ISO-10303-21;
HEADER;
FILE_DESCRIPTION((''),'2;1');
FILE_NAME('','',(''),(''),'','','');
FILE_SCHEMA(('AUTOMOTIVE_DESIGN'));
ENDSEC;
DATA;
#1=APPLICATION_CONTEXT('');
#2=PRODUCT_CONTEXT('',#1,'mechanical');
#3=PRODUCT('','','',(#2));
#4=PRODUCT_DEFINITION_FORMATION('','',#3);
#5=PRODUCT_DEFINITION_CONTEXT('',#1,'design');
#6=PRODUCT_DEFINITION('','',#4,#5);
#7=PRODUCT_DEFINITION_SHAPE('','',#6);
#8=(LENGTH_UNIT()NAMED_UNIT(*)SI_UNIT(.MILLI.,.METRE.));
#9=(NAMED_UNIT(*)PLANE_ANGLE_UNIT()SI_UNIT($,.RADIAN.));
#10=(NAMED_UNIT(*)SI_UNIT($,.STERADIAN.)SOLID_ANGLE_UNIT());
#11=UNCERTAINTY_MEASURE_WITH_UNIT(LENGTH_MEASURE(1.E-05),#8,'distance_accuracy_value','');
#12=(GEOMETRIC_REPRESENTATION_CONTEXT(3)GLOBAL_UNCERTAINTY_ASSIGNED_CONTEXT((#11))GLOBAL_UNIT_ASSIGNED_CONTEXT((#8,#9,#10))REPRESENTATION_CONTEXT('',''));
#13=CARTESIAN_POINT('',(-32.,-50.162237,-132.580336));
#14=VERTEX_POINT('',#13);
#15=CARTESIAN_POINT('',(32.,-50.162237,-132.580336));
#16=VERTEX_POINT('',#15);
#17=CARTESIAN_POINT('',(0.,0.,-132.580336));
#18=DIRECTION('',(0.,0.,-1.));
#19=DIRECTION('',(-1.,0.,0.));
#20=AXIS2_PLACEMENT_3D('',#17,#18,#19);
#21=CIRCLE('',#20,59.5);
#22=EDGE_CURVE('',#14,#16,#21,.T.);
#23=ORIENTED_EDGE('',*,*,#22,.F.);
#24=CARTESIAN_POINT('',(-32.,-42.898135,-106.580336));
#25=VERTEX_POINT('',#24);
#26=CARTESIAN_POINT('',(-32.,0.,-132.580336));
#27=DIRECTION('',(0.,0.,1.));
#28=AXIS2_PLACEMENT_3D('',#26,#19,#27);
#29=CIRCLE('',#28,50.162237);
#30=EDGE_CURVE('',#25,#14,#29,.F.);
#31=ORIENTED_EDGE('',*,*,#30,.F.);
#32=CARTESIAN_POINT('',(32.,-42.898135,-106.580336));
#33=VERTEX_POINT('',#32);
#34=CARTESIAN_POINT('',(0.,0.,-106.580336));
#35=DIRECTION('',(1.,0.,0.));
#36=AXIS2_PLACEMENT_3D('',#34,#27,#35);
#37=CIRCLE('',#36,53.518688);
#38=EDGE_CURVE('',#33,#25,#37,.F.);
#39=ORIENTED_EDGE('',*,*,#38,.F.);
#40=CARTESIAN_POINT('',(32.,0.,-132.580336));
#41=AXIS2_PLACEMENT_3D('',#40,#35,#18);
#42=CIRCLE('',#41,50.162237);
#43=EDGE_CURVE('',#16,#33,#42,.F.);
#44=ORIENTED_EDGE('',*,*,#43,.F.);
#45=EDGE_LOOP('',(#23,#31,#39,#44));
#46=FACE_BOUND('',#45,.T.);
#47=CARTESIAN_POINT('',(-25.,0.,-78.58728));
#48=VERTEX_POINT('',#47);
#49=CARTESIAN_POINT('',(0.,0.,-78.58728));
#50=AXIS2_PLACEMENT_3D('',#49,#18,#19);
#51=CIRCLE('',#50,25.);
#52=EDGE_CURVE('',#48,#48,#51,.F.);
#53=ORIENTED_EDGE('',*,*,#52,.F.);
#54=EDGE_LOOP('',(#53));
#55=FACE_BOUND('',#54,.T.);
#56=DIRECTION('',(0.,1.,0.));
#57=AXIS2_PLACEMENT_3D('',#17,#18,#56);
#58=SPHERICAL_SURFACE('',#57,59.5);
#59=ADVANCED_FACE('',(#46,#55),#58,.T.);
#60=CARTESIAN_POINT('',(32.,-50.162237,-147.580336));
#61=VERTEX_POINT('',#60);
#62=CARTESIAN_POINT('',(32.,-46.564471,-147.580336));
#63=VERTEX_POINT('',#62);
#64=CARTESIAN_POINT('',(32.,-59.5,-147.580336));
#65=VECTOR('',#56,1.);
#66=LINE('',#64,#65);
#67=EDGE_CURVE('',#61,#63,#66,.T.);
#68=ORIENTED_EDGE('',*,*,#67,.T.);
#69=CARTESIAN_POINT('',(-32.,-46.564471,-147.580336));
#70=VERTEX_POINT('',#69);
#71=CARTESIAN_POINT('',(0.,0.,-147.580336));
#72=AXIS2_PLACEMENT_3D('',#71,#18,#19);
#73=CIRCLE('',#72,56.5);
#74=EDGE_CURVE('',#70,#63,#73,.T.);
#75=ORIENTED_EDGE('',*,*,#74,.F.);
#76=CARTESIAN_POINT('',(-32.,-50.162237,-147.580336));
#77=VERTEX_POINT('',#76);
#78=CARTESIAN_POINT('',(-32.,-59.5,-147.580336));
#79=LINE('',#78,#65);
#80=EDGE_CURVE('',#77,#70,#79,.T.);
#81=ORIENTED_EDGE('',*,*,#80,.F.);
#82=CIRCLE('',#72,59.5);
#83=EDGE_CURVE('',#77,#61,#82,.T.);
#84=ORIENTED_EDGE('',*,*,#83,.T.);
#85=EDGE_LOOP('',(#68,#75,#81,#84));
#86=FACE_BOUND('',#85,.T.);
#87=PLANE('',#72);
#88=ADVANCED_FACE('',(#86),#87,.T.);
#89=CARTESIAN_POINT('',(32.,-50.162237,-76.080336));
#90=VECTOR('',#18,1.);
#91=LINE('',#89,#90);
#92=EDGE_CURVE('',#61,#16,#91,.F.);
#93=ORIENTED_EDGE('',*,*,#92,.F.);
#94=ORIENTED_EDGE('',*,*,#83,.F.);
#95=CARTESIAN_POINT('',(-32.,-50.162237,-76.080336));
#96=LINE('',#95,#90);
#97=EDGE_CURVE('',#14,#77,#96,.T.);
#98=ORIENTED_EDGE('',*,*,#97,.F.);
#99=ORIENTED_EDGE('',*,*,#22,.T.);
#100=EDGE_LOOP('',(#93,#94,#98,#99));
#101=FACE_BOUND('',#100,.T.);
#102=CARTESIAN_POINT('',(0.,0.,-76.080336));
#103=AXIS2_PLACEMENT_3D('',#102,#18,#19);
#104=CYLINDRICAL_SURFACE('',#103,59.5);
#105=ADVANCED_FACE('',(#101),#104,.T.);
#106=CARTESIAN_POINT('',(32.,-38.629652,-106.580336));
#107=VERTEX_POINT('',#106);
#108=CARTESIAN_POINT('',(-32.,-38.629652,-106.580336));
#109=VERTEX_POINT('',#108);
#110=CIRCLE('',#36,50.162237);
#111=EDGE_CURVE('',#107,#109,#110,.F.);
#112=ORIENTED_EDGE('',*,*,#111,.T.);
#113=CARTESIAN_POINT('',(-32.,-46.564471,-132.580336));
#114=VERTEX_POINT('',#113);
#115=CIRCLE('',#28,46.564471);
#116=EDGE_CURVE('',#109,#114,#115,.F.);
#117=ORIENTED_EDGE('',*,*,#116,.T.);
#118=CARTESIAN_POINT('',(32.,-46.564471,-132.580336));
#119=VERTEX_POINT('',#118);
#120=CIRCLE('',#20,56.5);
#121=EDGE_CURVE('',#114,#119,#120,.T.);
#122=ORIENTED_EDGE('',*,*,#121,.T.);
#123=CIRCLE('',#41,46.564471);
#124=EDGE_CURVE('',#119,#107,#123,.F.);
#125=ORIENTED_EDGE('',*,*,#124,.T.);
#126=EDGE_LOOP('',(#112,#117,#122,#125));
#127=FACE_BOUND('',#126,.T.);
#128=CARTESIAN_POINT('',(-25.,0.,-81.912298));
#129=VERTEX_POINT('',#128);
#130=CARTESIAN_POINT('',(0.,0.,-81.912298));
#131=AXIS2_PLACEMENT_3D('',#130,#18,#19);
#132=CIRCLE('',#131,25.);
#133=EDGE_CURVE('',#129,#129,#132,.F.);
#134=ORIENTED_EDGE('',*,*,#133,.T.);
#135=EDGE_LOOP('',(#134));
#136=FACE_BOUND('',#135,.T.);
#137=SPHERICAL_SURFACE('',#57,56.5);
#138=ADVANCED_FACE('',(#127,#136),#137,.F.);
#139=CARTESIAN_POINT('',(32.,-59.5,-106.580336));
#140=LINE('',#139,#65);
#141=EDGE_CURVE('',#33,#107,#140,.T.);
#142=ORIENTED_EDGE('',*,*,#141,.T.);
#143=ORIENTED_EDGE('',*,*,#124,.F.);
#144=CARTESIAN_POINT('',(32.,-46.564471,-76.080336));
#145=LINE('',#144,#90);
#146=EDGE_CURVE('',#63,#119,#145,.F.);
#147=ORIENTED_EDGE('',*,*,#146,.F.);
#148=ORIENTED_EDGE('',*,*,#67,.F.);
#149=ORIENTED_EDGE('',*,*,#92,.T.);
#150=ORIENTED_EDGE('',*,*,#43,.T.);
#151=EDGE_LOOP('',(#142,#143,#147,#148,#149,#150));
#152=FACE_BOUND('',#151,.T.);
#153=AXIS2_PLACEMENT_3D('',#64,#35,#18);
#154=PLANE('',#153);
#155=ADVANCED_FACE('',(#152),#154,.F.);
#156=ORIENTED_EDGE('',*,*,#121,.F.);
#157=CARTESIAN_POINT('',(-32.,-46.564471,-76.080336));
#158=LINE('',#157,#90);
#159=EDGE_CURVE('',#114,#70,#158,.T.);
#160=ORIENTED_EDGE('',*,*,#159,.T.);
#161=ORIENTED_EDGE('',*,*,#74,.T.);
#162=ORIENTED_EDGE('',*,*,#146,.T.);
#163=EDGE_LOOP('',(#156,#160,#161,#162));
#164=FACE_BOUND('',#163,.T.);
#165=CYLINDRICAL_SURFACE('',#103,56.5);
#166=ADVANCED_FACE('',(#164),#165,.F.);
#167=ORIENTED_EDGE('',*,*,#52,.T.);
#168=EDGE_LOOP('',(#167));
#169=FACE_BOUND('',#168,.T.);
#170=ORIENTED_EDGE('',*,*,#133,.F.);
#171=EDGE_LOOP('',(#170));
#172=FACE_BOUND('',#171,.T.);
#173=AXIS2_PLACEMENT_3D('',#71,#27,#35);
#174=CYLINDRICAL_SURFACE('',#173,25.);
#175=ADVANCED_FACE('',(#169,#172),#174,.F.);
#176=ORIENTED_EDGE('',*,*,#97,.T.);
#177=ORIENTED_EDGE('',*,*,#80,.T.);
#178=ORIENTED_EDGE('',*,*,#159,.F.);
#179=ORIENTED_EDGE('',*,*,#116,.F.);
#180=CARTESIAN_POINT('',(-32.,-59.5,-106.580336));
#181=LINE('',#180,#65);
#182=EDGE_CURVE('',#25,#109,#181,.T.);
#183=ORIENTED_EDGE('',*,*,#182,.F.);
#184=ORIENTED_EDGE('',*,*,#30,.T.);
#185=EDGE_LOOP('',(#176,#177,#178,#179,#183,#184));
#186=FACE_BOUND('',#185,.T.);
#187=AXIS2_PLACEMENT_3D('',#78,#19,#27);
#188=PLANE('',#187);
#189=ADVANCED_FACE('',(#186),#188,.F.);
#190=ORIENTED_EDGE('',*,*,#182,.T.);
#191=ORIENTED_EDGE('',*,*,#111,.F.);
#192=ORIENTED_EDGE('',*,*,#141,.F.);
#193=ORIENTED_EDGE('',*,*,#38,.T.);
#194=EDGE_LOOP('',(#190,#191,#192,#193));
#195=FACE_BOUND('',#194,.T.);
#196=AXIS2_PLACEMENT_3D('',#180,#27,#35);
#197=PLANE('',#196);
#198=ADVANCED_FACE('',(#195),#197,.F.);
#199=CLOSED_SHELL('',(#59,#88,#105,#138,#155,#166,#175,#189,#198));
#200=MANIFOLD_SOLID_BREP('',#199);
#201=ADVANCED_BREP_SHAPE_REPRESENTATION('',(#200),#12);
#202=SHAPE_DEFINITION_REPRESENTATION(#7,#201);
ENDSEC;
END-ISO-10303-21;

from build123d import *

# Parameters (mm, degrees)
SHELL1_T           = 3
SKETCH5_R          = 25
CUT_EXTRUDE3_DEPTH = 170.883652636
SKETCH6_W          = 64
SKETCH6_H          = 41
CUT_EXTRUDE4_DEPTH = 170.883652636


with BuildPart() as part:
    # Sketch2 → Revolve1 (revolve)
    with BuildSketch(Plane(origin=(0, 0, 0), x_dir=(0, 0, -1), z_dir=(1, 0, 0)), mode=Mode.PRIVATE) as revolve1_sk:
        with BuildLine():
            Line((76.080335522, 0), (147.580335522, 0))
            Line((147.580335522, 0), (147.580335522, 56.5))
            Line((147.580335522, 56.5), (132.580335522, 56.5))
            ThreePointArc((132.580335522, 56.5), (92.628802385, 39.951533137), (76.080335522, 0))
        make_face()
    revolve(revolve1_sk.sketch.rotate(Axis((0, 0, -76.080335522), (0, 0, 1)), 90), axis=Axis((0, 0, -76.080335522), (0, 0, 1)))

    # Shell1
    shell1_openings = [part.faces().sort_by_distance(p)[0] for p in [
        (0, 0, -147.580335522),
    ]]
    offset(amount=SHELL1_T, openings=shell1_openings, kind=Kind.INTERSECTION)

    # Sketch5 → Cut-Extrude3 (cut, through all)
    with BuildSketch(Plane.XY):
        with Locations(Location((0, 0, 0), (0, 0, 180))):
            Circle(SKETCH5_R)
    extrude(amount=-CUT_EXTRUDE3_DEPTH, mode=Mode.SUBTRACT)

    # Sketch6 → Cut-Extrude4 (cut, through all)
    with BuildSketch(Plane(origin=(0, 0, 0), x_dir=(1, 0, 0), z_dir=(0, 1, 0))):
        with Locations((0, 127.080335522)):
            Rectangle(SKETCH6_W, SKETCH6_H)
    extrude(amount=-CUT_EXTRUDE4_DEPTH, mode=Mode.SUBTRACT)


solid = part.part
